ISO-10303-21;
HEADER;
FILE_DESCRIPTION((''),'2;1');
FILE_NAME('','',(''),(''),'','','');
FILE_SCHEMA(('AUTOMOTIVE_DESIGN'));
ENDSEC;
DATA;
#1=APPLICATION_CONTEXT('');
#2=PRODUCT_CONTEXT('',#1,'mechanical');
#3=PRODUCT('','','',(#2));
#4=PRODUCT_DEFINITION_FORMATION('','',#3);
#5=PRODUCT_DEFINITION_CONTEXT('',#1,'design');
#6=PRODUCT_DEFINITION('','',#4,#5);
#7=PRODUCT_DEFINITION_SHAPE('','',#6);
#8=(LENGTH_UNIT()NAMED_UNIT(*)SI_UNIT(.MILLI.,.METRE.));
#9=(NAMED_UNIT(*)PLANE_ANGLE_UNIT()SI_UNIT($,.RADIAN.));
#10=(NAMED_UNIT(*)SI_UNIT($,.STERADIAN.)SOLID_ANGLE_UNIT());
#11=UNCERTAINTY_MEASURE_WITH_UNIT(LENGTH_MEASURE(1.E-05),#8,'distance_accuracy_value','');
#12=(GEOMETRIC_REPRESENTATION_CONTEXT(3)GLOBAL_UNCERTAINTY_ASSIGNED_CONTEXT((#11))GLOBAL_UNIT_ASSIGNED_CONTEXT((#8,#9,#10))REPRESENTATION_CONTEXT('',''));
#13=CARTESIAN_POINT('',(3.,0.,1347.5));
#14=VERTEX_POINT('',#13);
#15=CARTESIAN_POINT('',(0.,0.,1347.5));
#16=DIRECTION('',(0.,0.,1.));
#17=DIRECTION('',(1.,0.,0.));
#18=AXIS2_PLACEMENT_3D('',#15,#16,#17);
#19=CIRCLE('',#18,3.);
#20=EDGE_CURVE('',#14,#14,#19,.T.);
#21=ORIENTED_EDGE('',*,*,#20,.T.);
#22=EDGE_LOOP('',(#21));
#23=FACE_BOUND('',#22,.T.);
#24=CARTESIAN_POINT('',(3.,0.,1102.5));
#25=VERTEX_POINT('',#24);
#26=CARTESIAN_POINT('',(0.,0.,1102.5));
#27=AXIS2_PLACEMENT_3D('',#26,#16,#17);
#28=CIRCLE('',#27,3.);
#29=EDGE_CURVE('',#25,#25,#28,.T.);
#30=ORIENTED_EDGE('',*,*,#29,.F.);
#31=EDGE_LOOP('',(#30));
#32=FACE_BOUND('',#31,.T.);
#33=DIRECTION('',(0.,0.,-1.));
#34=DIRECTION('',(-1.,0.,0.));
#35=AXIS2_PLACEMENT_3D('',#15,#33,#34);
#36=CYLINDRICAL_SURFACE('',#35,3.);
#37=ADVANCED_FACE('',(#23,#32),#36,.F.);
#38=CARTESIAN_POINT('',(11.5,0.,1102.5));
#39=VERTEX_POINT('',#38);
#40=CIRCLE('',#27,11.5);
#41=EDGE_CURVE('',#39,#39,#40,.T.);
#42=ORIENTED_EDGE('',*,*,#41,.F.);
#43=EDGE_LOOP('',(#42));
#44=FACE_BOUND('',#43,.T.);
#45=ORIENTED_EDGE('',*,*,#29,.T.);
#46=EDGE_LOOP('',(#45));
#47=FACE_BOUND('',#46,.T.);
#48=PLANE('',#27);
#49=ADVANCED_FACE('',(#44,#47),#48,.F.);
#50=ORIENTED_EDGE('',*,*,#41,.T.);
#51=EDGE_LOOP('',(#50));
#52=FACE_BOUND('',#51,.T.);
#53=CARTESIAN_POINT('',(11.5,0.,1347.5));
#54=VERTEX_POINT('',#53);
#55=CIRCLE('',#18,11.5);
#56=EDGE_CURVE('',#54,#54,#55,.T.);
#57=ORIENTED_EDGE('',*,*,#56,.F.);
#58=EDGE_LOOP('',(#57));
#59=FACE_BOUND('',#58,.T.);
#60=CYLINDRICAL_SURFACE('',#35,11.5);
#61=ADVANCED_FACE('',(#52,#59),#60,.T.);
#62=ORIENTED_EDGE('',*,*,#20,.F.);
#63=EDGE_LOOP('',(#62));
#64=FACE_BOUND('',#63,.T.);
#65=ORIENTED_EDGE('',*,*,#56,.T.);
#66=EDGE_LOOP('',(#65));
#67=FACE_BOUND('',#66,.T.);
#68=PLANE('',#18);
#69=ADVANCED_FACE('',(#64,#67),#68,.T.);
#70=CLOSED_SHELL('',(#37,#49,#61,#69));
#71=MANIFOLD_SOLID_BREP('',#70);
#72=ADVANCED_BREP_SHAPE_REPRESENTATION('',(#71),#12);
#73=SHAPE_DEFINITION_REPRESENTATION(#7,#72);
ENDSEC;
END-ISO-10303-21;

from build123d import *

# Parameters (mm, degrees)
SKETCH2_R           = 115
SKETCH2_R_2         = 30
BOSS_EXTRUDE1_DEPTH = 2450
SCALE1_SCALE        = 0.1


with BuildPart() as part:
    # Sketch2 → Boss-Extrude1 (new body)
    with BuildSketch(Plane.XY):
        Circle(SKETCH2_R)
        Circle(SKETCH2_R_2, mode=Mode.SUBTRACT)
    extrude(amount=BOSS_EXTRUDE1_DEPTH)


with BuildPart() as part_1:
    # Scale1: scaled about (0, 0, 1225)
    add(part.part.scale(SCALE1_SCALE).moved(Location((0, 0, 1102.5))))


solid = part_1.part
